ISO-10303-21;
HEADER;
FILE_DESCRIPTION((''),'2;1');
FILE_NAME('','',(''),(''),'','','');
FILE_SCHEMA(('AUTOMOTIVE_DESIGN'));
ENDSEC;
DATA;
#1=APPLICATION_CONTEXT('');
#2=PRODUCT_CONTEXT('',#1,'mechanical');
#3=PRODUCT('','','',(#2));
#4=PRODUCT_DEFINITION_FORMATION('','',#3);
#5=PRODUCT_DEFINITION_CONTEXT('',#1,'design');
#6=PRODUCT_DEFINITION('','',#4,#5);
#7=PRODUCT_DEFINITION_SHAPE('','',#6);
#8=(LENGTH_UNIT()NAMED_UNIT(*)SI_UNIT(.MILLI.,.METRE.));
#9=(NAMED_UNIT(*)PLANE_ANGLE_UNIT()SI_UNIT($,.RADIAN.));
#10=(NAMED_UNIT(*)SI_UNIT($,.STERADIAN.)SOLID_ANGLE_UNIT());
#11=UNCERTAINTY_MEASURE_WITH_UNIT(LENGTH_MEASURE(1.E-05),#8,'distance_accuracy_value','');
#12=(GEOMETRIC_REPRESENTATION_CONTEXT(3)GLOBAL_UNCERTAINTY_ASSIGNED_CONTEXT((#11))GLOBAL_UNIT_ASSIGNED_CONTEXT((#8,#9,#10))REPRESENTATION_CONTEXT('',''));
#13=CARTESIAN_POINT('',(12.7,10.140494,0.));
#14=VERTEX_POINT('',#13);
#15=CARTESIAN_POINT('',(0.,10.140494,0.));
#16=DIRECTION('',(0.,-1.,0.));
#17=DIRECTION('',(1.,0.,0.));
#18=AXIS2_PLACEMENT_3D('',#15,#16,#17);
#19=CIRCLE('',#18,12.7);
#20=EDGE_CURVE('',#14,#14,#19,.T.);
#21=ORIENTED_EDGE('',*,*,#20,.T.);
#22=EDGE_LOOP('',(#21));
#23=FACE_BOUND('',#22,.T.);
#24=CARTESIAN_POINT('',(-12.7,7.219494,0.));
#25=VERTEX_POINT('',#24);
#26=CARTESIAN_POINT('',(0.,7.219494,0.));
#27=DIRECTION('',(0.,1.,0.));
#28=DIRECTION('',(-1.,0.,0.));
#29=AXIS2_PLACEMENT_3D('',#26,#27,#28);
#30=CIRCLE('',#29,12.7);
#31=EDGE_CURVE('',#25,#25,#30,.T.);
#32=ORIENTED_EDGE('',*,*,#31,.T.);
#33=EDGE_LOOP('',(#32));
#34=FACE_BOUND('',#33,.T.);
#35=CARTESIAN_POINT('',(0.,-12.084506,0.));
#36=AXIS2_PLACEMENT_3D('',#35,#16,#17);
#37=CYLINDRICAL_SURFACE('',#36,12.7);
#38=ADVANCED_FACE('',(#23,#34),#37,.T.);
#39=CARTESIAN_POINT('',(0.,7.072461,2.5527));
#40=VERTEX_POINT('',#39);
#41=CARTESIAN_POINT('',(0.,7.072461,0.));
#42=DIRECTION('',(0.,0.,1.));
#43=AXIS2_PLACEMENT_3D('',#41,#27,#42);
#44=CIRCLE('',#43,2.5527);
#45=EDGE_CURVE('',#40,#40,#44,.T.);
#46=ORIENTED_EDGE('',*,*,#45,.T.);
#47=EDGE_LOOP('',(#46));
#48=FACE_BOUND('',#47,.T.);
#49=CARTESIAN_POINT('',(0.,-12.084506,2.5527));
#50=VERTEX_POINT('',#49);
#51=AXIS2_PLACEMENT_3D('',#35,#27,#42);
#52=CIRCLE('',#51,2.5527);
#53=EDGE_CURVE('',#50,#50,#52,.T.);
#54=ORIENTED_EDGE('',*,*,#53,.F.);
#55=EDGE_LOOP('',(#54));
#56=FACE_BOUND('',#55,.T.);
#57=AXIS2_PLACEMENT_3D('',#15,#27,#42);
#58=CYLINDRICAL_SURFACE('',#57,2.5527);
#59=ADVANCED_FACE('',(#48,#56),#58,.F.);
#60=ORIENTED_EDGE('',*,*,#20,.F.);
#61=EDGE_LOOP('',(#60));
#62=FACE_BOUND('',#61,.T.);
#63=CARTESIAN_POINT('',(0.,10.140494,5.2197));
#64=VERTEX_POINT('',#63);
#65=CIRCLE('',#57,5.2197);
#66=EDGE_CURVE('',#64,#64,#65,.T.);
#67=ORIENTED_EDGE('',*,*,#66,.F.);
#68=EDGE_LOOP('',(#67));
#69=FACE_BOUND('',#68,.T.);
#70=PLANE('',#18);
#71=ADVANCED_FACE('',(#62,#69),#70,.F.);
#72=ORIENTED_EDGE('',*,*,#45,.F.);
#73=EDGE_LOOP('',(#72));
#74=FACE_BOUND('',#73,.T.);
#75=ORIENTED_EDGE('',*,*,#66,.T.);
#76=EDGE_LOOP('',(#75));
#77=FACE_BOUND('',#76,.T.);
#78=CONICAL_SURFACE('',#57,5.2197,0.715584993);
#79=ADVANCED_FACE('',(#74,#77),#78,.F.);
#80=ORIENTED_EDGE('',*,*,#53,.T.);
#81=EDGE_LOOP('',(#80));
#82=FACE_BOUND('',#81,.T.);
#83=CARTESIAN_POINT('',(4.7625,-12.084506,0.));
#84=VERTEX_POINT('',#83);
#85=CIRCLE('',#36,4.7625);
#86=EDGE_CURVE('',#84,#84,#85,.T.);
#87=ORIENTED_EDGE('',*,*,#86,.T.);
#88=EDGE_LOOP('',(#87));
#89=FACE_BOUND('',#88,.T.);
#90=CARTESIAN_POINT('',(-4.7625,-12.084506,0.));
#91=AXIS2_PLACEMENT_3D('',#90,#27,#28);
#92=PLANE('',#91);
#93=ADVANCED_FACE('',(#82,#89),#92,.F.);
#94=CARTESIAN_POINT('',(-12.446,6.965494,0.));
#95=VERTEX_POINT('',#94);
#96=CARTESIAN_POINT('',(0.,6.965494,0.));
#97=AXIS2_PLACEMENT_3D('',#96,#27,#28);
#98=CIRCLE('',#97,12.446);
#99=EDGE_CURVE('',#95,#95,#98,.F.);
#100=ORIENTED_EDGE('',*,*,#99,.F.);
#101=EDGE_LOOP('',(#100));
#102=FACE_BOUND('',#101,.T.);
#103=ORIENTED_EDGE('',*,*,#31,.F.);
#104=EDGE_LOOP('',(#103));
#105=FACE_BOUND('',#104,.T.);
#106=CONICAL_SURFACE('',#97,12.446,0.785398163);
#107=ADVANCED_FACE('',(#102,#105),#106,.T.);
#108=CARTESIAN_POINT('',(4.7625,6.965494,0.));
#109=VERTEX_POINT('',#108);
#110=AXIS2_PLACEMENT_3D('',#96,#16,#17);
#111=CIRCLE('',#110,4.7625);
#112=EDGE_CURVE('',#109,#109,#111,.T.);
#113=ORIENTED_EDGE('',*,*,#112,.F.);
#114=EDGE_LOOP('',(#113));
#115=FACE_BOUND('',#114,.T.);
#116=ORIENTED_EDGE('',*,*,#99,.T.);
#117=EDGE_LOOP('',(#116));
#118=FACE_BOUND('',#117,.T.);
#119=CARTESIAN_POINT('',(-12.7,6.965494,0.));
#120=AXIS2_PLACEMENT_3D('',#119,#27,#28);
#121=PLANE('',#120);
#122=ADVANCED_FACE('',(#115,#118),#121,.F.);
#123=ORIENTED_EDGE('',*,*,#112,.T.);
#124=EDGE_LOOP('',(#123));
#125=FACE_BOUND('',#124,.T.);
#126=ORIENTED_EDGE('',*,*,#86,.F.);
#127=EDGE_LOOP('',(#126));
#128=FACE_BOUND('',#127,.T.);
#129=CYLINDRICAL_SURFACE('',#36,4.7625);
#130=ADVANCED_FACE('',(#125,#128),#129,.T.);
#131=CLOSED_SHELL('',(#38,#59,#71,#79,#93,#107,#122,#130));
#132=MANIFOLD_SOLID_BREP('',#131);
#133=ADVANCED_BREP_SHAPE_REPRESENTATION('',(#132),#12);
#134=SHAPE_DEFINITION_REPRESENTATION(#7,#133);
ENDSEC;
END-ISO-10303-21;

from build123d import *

# Parameters (mm, degrees)
CSK_FOR_10_FLAT_HEAD_SOCKET_CAP_SCREW1_D           = 5.1054
CSK_FOR_10_FLAT_HEAD_SOCKET_CAP_SCREW1_CSINK_D     = 10.4394
CSK_FOR_10_FLAT_HEAD_SOCKET_CAP_SCREW1_CSINK_ANGLE = 82
CHAMFER1_SIZE                                      = 0.254


with BuildPart() as part:
    # Sketch2 → Revolve1 (revolve)
    with BuildSketch(Plane.XY, mode=Mode.PRIVATE) as revolve1_sk:
        Polygon((0, 10.140493615), (-12.7, 10.140493615), (-12.7, 6.965493615), (-4.7625, 6.965493615), (-4.7625, -12.084506385), (0, -12.084506385), align=None)
    revolve(revolve1_sk.sketch.rotate(Axis((0, -12.084506385, 0), (0, 1, 0)), 180), axis=Axis((0, -12.084506385, 0), (0, 1, 0)))

    # CSK for #10 Flat Head Socket Cap Screw1 (through all)
    with Locations(Plane(origin=(0, 10.140493615, 0), x_dir=(1, 0, 0), z_dir=(0, 1, 0))):
        with Locations((0, 0)):
            CounterSinkHole(CSK_FOR_10_FLAT_HEAD_SOCKET_CAP_SCREW1_D / 2, CSK_FOR_10_FLAT_HEAD_SOCKET_CAP_SCREW1_CSINK_D / 2, counter_sink_angle=CSK_FOR_10_FLAT_HEAD_SOCKET_CAP_SCREW1_CSINK_ANGLE)

    # Chamfer1
    chamfer1_edges = [part.edges().sort_by_distance(p)[0] for p in [
        (-12.7, 6.965493615, 0),
    ]]
    chamfer(chamfer1_edges, length=CHAMFER1_SIZE)


solid = part.part
